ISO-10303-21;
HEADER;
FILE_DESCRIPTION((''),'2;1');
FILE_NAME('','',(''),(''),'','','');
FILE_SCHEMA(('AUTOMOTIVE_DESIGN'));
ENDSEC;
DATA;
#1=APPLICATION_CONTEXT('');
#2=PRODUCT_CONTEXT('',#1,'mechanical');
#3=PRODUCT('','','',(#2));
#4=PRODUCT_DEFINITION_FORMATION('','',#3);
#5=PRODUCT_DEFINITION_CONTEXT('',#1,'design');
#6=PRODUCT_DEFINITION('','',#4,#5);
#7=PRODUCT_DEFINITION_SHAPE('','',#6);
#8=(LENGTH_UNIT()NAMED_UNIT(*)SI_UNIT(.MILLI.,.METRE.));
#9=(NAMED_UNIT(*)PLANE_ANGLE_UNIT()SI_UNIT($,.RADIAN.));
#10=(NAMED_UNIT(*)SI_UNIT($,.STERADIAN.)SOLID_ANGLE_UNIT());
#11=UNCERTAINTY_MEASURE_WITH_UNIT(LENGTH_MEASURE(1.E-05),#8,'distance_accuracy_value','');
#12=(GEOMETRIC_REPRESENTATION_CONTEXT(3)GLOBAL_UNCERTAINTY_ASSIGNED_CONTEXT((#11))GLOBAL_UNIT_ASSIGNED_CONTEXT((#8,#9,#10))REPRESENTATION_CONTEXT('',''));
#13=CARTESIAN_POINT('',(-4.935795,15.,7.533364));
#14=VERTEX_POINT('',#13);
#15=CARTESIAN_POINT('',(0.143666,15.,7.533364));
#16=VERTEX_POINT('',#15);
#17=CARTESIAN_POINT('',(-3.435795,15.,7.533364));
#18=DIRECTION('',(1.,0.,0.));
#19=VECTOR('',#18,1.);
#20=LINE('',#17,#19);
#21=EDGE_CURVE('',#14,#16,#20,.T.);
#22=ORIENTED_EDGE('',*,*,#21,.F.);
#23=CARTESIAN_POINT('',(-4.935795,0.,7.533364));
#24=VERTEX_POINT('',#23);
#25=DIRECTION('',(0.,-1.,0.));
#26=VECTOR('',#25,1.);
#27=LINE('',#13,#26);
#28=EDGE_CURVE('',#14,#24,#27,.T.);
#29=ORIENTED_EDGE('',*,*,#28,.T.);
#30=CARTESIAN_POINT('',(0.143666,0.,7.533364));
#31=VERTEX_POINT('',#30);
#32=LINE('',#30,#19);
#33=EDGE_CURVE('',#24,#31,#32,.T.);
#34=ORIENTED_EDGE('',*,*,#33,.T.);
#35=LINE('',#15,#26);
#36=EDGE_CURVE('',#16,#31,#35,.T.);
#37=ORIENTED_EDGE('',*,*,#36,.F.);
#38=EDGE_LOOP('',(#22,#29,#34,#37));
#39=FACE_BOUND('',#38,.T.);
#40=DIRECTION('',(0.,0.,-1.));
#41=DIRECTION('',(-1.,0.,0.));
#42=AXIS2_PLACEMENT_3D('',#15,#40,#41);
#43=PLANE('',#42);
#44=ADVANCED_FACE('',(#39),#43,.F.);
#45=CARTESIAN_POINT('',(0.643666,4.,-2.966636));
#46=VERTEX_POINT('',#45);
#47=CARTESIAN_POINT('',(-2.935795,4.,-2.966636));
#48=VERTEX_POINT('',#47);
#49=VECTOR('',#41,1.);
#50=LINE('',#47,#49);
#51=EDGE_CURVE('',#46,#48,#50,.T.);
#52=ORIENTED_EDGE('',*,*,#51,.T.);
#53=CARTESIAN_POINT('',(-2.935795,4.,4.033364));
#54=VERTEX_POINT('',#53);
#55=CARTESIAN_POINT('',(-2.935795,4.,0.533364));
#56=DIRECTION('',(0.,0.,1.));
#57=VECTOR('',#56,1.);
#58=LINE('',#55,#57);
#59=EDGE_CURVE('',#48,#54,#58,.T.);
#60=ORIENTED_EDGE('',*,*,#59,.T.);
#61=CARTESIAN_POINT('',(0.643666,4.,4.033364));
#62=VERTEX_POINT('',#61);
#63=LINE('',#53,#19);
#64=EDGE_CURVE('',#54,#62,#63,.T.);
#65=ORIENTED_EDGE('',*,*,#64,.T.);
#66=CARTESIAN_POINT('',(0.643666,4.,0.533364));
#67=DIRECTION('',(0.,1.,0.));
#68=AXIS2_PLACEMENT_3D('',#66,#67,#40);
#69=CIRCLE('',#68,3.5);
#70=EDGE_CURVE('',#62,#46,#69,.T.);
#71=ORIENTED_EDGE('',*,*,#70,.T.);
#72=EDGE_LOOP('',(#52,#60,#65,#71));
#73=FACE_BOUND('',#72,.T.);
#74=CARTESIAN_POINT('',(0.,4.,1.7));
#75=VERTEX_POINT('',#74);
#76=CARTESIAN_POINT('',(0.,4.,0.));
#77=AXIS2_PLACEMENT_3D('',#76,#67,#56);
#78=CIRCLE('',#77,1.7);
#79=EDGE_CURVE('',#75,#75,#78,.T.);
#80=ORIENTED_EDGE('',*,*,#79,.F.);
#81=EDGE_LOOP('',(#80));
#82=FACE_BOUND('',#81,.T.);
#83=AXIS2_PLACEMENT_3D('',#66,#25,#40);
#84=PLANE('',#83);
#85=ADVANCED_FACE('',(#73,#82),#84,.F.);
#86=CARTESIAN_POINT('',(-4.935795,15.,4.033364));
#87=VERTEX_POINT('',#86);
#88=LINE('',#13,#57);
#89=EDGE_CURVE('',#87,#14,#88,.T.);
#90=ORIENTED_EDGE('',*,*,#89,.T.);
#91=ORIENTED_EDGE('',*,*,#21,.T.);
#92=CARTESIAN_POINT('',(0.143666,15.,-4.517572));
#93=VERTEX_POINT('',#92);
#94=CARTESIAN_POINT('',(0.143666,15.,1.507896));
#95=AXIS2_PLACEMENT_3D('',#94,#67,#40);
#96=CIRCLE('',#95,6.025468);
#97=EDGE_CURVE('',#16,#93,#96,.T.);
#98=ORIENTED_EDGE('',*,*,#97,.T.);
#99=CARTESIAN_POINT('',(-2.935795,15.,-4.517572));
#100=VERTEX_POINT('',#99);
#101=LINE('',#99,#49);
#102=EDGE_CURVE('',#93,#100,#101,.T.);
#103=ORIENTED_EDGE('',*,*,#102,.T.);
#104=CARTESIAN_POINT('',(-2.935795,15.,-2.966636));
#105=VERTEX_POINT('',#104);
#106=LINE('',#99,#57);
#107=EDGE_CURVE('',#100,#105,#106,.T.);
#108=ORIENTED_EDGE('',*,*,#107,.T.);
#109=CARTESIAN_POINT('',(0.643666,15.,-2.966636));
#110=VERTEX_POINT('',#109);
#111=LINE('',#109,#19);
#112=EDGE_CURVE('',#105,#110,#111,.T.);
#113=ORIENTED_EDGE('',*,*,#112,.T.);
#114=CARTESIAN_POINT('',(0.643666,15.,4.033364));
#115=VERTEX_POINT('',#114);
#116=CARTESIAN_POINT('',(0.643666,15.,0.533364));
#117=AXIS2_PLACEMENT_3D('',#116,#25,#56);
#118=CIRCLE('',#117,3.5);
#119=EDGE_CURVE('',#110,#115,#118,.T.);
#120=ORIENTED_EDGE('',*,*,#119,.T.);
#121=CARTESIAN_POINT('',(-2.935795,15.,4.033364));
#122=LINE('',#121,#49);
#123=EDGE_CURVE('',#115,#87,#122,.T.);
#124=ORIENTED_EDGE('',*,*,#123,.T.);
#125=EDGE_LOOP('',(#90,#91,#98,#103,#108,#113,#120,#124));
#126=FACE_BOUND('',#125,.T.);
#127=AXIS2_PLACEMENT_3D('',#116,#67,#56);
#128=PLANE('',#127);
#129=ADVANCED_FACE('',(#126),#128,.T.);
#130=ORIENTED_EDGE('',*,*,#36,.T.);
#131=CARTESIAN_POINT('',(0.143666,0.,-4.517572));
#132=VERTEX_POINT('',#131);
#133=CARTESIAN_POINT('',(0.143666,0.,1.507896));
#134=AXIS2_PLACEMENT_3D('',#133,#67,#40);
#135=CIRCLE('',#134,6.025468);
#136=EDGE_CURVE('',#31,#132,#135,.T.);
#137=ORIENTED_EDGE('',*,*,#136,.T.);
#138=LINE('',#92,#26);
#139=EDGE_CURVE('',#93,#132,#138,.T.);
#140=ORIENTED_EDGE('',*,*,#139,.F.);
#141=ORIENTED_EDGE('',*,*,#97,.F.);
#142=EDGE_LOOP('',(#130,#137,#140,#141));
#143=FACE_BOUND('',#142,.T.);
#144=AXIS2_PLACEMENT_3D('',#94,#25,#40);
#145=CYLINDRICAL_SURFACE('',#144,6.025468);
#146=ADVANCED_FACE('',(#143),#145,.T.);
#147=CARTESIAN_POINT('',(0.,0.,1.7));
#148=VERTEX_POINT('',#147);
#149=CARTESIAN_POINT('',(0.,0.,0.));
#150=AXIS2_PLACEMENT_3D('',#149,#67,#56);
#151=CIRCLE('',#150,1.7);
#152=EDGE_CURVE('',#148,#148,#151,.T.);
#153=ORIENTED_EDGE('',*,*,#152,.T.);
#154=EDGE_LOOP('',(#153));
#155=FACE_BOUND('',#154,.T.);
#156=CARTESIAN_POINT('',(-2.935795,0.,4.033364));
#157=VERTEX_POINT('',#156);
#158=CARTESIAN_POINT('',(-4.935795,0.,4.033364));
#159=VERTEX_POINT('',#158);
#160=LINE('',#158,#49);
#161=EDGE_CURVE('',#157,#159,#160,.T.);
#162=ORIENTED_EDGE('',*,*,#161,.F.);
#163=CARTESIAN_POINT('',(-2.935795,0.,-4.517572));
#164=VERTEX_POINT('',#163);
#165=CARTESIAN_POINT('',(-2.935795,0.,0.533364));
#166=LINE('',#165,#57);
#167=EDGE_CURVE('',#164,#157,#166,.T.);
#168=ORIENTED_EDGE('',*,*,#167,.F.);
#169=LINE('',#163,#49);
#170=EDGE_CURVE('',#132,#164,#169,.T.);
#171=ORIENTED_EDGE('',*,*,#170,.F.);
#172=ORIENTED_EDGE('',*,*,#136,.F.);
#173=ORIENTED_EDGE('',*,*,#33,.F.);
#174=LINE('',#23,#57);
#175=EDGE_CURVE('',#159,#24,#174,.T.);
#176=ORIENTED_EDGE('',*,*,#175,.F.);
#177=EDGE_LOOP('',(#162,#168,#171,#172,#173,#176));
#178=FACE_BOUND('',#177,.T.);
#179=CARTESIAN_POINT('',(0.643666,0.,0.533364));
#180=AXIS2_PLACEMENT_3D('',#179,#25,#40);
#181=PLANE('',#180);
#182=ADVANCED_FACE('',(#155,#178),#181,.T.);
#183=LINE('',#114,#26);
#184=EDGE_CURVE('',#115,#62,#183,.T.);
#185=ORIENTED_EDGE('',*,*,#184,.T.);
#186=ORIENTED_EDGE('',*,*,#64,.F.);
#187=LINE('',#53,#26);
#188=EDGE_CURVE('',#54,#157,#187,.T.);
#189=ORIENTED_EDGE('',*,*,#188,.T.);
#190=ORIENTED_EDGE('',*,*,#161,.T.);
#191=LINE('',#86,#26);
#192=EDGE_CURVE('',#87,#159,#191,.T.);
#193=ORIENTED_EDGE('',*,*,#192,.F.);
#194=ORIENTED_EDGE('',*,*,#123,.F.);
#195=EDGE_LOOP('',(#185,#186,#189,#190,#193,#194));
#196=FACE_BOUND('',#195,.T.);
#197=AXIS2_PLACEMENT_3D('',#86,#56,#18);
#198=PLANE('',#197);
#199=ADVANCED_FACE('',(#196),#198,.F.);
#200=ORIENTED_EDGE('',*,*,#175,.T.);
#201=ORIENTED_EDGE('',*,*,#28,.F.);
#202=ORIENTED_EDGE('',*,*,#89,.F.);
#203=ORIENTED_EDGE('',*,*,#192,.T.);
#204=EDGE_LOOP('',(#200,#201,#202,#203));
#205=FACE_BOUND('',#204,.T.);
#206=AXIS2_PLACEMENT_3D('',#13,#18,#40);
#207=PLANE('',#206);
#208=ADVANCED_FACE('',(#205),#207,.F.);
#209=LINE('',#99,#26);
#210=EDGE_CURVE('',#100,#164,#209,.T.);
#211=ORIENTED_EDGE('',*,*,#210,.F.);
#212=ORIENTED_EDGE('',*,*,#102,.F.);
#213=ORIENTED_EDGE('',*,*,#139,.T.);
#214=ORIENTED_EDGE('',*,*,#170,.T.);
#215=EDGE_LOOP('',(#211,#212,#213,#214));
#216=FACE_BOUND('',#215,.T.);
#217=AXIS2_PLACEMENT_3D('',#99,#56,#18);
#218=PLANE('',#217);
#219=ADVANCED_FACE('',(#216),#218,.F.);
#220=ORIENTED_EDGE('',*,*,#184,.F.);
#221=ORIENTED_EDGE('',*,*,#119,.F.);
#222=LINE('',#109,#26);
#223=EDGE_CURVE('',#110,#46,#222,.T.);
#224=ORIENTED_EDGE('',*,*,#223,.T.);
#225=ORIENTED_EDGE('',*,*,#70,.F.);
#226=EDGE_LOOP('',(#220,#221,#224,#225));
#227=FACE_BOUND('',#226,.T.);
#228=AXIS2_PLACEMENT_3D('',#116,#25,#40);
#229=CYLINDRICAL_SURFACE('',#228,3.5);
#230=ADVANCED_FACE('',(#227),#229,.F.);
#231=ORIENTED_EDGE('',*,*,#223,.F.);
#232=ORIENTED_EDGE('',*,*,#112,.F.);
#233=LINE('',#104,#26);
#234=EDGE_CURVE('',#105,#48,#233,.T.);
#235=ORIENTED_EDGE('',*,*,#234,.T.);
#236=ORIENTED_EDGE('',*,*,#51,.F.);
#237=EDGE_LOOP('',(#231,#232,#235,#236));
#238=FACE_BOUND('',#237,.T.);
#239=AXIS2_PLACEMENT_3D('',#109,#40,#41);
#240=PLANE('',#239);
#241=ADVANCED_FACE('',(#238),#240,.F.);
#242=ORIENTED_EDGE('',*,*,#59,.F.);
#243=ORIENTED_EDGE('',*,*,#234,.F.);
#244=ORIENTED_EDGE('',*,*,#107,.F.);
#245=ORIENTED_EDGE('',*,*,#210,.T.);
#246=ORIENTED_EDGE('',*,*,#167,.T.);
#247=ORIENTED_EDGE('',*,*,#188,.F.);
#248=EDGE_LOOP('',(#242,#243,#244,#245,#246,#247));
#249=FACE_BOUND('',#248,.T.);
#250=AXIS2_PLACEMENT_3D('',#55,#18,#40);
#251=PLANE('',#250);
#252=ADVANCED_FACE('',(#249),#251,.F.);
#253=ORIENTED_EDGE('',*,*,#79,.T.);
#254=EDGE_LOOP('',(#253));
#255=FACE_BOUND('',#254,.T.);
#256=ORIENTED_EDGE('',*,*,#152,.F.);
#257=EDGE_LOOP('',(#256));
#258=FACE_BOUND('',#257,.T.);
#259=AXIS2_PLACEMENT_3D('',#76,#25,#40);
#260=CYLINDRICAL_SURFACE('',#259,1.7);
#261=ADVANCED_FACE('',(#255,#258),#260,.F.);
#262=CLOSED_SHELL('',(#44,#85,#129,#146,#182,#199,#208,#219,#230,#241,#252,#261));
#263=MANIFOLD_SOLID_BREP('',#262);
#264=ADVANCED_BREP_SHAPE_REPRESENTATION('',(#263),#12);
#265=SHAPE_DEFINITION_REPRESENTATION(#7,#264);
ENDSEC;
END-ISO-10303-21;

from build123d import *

# Parameters (mm, degrees)
SKETCH1_R           = 1.7
BOSS_EXTRUDE2_DEPTH = 4
BOSS_EXTRUDE3_DEPTH = 15


with BuildPart() as part:
    # Sketch1 → Boss-Extrude2 (new body)
    with BuildSketch(Plane(origin=(0, 0, 0), x_dir=(1, 0, 0), z_dir=(0, 1, 0))):
        with BuildLine():
            Line((-2.93579488, -0.53336368), (-2.93579488, 2.96663632))
            Line((-2.93579488, 2.96663632), (0.643666224, 2.96663632))
            ThreePointArc((0.643666224, 2.96663632), (4.143666224, -0.53336368), (0.643666224, -4.03336368))
            Line((0.643666224, -4.03336368), (-2.93579488, -4.03336368))
            Line((-2.93579488, -4.03336368), (-2.93579488, -0.53336368))
        make_face()
        with Locations(Location((0, 0, 0), (0, 0, 270))):
            Circle(SKETCH1_R, mode=Mode.SUBTRACT)
    extrude(amount=BOSS_EXTRUDE2_DEPTH)

    # Sketch2 → Boss-Extrude3 (add)
    with BuildSketch(Plane(origin=(0, 0, 0), x_dir=(1, 0, 0), z_dir=(0, 1, 0))):
        with BuildLine():
            Line((-2.93579488, 4.517571778), (0.143666226, 4.517571778))
            ThreePointArc((0.143666226, 4.517571778), (6.169133955, -1.507895951), (0.143666226, -7.53336368))
            Line((0.143666226, -7.53336368), (-3.435794878, -7.53336368))
            Line((-3.435794878, -7.53336368), (-4.93579488, -7.53336368))
            Line((-4.93579488, -7.53336368), (-4.93579488, -4.03336368))
            Line((-4.93579488, -4.03336368), (-2.93579488, -4.03336368))
            Line((-2.93579488, -4.03336368), (0.643666224, -4.03336368))
            ThreePointArc((0.643666224, -4.03336368), (4.143666224, -0.53336368), (0.643666224, 2.96663632))
            Line((0.643666224, 2.96663632), (-2.93579488, 2.96663632))
            Line((-2.93579488, 2.96663632), (-2.93579488, 4.517571778))
        make_face()
    extrude(amount=BOSS_EXTRUDE3_DEPTH)


solid = part.part
